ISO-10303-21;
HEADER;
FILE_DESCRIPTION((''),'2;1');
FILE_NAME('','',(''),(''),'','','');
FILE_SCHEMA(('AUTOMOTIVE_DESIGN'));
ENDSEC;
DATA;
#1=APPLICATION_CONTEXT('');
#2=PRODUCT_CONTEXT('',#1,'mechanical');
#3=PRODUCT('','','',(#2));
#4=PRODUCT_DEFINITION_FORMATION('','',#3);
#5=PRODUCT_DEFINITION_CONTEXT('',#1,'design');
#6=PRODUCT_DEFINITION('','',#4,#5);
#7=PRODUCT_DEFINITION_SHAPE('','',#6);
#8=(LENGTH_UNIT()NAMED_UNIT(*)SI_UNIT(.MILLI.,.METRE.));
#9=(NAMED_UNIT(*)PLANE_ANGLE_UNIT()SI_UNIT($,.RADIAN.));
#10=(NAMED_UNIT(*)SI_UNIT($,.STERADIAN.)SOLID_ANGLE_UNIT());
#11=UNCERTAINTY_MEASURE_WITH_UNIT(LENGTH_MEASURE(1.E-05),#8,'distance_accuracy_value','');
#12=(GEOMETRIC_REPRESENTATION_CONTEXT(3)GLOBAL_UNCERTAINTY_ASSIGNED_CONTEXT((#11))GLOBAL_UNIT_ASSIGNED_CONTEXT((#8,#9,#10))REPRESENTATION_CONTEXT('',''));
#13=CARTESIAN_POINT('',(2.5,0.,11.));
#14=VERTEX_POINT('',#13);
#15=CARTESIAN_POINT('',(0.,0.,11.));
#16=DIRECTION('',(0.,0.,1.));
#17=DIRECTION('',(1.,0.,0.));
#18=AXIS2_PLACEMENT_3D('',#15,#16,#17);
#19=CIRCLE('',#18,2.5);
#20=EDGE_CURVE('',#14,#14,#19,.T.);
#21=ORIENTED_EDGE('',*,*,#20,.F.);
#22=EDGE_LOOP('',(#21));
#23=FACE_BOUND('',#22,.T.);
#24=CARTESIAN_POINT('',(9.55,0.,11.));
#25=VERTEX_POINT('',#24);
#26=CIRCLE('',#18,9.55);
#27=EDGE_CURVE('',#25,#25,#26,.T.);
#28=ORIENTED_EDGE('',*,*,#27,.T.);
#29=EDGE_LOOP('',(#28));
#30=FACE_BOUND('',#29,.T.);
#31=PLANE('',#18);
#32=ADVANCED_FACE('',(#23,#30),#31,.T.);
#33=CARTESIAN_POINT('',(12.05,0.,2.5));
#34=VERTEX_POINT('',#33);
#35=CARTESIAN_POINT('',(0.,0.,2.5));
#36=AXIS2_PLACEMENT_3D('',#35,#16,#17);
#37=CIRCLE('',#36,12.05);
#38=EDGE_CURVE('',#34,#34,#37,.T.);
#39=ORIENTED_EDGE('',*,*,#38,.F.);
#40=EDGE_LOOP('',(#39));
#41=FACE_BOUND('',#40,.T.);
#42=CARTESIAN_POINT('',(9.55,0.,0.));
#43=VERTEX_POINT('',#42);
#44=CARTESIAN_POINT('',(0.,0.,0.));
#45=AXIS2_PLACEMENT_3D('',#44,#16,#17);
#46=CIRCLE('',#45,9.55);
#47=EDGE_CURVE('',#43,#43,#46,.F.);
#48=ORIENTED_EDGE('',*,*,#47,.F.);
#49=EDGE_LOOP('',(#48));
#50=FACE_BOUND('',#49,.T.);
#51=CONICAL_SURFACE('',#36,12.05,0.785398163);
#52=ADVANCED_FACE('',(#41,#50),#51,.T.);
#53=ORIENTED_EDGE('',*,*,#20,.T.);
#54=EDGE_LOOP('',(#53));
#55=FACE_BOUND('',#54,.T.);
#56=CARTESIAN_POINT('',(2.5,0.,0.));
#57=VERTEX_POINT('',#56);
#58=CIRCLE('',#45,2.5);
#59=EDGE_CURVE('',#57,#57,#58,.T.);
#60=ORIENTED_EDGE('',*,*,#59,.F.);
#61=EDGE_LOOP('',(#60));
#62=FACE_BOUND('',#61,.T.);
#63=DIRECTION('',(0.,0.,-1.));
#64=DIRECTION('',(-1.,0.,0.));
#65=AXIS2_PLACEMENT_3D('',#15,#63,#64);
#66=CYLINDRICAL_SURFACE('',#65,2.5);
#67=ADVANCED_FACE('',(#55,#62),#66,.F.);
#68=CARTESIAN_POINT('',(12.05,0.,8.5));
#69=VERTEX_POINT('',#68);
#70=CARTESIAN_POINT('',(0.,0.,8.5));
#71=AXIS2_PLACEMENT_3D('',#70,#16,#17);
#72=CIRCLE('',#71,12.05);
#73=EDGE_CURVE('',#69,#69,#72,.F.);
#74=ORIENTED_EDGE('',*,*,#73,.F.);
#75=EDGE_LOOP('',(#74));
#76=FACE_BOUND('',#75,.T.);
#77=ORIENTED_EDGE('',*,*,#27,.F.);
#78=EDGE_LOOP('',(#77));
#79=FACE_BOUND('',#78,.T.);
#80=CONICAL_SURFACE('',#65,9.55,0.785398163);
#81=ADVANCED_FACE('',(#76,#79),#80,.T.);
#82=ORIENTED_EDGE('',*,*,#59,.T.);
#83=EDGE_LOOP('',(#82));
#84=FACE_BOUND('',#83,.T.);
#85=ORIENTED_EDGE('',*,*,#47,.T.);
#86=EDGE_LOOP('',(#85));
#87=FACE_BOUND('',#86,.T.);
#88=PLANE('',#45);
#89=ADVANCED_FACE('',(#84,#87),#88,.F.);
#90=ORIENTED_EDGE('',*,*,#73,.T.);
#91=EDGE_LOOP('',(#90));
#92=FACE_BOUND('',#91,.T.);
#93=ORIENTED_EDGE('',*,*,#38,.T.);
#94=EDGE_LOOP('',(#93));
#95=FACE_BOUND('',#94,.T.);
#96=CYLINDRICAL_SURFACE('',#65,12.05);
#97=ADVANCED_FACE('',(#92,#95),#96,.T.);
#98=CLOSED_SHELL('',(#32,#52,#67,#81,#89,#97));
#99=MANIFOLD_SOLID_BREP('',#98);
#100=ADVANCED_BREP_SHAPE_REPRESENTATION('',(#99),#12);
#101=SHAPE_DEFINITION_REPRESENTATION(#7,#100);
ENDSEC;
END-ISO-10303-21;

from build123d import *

# Parameters (mm, degrees)
SKETCH1_R           = 12.05
SKETCH1_R_2         = 2.5
BOSS_EXTRUDE1_DEPTH = 11
CHAMFER1_SIZE       = 2.5


with BuildPart() as part:
    # Sketch1 → Boss-Extrude1 (new body)
    with BuildSketch(Plane.XY):
        Circle(SKETCH1_R)
        Circle(SKETCH1_R_2, mode=Mode.SUBTRACT)
    extrude(amount=BOSS_EXTRUDE1_DEPTH)

    # Chamfer1
    chamfer1_edges = [part.edges().sort_by_distance(p)[0] for p in [
        (-12.05, 0, 0),
        (-12.05, 0, 11),
    ]]
    chamfer(chamfer1_edges, length=CHAMFER1_SIZE)


solid = part.part
